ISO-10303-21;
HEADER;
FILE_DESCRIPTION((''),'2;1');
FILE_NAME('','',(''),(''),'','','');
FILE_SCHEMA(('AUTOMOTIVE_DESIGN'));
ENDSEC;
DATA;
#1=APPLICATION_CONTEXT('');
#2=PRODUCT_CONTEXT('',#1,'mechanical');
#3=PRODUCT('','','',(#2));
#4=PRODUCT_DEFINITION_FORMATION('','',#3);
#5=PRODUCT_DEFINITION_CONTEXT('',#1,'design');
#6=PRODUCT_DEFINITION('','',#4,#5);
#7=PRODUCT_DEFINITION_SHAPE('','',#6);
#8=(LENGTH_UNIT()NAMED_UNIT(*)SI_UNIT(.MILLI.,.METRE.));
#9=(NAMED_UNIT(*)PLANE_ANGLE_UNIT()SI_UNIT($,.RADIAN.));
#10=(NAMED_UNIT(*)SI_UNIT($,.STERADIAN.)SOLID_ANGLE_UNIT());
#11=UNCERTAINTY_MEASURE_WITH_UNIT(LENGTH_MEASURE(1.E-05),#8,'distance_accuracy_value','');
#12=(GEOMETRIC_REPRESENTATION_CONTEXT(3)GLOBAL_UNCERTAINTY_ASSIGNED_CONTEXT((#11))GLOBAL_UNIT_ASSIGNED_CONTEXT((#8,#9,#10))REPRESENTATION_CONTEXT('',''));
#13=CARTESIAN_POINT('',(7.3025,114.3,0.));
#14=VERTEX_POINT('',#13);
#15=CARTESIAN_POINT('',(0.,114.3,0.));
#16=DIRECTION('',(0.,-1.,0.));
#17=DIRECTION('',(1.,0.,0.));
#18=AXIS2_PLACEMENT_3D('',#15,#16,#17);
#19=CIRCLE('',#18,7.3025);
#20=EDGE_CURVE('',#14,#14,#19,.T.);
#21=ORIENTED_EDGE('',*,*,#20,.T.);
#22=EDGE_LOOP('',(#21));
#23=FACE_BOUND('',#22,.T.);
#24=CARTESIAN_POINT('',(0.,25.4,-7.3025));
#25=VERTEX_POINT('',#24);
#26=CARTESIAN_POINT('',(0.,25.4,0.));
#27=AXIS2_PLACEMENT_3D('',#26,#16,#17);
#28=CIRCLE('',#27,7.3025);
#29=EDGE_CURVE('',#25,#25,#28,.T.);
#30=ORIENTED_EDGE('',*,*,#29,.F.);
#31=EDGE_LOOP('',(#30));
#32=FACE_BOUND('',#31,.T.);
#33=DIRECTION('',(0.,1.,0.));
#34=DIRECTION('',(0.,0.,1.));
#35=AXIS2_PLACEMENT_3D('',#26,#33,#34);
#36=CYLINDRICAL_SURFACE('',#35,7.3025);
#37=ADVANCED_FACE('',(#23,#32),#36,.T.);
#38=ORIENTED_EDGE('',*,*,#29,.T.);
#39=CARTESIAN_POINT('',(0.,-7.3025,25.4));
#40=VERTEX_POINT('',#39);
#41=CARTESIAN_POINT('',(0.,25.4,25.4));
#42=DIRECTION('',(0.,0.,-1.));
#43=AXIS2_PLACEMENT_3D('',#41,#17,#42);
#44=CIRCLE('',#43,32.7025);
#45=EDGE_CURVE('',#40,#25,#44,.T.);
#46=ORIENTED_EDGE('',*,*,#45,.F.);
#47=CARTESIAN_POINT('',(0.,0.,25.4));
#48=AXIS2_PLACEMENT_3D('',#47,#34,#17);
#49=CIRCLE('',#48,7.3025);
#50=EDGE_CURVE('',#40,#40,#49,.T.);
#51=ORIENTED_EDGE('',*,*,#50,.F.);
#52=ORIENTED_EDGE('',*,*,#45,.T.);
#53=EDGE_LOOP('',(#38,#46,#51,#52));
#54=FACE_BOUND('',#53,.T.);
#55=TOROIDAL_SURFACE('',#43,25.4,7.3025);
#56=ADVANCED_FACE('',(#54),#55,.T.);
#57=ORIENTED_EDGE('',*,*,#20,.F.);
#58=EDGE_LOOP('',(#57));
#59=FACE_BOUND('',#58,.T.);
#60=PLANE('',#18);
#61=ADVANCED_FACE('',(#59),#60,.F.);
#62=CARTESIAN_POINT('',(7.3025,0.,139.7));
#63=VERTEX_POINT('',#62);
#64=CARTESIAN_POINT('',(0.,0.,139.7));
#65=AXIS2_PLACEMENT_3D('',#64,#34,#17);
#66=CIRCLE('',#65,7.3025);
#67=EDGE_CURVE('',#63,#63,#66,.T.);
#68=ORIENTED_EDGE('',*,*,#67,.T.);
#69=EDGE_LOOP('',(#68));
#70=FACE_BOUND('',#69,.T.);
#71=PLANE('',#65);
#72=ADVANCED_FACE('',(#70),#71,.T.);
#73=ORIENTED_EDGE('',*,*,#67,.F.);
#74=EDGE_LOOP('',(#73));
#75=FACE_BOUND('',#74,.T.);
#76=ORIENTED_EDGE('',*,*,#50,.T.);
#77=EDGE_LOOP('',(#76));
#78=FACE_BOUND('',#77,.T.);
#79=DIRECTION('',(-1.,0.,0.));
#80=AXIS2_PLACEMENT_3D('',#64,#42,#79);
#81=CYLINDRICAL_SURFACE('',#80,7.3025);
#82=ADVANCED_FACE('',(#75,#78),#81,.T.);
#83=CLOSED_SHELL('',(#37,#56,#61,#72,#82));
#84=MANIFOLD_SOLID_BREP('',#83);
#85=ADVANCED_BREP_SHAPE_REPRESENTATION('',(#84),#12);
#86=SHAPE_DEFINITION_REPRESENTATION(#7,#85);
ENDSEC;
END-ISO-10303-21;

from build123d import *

# Parameters (mm, degrees)
SKETCH2_R = 7.3025


with BuildPart() as part:
    # Sweep1: sweep along a path in Sketch1
    with BuildLine(Plane(origin=(0, 0, 0), x_dir=(0, 0, -1), z_dir=(1, 0, 0))) as sweep1_path:
        Line((-139.7, 0), (-25.4, 0))
        ThreePointArc((-25.4, 0), (-7.439487758, 7.439487758), (0, 25.4))
        Line((0, 25.4), (0, 114.3))
    # Sketch2 → Sweep1 (sweep)
    with BuildSketch(Plane.XY.offset(139.7)):
        Circle(SKETCH2_R)
    sweep(path=sweep1_path.line)


solid = part.part
